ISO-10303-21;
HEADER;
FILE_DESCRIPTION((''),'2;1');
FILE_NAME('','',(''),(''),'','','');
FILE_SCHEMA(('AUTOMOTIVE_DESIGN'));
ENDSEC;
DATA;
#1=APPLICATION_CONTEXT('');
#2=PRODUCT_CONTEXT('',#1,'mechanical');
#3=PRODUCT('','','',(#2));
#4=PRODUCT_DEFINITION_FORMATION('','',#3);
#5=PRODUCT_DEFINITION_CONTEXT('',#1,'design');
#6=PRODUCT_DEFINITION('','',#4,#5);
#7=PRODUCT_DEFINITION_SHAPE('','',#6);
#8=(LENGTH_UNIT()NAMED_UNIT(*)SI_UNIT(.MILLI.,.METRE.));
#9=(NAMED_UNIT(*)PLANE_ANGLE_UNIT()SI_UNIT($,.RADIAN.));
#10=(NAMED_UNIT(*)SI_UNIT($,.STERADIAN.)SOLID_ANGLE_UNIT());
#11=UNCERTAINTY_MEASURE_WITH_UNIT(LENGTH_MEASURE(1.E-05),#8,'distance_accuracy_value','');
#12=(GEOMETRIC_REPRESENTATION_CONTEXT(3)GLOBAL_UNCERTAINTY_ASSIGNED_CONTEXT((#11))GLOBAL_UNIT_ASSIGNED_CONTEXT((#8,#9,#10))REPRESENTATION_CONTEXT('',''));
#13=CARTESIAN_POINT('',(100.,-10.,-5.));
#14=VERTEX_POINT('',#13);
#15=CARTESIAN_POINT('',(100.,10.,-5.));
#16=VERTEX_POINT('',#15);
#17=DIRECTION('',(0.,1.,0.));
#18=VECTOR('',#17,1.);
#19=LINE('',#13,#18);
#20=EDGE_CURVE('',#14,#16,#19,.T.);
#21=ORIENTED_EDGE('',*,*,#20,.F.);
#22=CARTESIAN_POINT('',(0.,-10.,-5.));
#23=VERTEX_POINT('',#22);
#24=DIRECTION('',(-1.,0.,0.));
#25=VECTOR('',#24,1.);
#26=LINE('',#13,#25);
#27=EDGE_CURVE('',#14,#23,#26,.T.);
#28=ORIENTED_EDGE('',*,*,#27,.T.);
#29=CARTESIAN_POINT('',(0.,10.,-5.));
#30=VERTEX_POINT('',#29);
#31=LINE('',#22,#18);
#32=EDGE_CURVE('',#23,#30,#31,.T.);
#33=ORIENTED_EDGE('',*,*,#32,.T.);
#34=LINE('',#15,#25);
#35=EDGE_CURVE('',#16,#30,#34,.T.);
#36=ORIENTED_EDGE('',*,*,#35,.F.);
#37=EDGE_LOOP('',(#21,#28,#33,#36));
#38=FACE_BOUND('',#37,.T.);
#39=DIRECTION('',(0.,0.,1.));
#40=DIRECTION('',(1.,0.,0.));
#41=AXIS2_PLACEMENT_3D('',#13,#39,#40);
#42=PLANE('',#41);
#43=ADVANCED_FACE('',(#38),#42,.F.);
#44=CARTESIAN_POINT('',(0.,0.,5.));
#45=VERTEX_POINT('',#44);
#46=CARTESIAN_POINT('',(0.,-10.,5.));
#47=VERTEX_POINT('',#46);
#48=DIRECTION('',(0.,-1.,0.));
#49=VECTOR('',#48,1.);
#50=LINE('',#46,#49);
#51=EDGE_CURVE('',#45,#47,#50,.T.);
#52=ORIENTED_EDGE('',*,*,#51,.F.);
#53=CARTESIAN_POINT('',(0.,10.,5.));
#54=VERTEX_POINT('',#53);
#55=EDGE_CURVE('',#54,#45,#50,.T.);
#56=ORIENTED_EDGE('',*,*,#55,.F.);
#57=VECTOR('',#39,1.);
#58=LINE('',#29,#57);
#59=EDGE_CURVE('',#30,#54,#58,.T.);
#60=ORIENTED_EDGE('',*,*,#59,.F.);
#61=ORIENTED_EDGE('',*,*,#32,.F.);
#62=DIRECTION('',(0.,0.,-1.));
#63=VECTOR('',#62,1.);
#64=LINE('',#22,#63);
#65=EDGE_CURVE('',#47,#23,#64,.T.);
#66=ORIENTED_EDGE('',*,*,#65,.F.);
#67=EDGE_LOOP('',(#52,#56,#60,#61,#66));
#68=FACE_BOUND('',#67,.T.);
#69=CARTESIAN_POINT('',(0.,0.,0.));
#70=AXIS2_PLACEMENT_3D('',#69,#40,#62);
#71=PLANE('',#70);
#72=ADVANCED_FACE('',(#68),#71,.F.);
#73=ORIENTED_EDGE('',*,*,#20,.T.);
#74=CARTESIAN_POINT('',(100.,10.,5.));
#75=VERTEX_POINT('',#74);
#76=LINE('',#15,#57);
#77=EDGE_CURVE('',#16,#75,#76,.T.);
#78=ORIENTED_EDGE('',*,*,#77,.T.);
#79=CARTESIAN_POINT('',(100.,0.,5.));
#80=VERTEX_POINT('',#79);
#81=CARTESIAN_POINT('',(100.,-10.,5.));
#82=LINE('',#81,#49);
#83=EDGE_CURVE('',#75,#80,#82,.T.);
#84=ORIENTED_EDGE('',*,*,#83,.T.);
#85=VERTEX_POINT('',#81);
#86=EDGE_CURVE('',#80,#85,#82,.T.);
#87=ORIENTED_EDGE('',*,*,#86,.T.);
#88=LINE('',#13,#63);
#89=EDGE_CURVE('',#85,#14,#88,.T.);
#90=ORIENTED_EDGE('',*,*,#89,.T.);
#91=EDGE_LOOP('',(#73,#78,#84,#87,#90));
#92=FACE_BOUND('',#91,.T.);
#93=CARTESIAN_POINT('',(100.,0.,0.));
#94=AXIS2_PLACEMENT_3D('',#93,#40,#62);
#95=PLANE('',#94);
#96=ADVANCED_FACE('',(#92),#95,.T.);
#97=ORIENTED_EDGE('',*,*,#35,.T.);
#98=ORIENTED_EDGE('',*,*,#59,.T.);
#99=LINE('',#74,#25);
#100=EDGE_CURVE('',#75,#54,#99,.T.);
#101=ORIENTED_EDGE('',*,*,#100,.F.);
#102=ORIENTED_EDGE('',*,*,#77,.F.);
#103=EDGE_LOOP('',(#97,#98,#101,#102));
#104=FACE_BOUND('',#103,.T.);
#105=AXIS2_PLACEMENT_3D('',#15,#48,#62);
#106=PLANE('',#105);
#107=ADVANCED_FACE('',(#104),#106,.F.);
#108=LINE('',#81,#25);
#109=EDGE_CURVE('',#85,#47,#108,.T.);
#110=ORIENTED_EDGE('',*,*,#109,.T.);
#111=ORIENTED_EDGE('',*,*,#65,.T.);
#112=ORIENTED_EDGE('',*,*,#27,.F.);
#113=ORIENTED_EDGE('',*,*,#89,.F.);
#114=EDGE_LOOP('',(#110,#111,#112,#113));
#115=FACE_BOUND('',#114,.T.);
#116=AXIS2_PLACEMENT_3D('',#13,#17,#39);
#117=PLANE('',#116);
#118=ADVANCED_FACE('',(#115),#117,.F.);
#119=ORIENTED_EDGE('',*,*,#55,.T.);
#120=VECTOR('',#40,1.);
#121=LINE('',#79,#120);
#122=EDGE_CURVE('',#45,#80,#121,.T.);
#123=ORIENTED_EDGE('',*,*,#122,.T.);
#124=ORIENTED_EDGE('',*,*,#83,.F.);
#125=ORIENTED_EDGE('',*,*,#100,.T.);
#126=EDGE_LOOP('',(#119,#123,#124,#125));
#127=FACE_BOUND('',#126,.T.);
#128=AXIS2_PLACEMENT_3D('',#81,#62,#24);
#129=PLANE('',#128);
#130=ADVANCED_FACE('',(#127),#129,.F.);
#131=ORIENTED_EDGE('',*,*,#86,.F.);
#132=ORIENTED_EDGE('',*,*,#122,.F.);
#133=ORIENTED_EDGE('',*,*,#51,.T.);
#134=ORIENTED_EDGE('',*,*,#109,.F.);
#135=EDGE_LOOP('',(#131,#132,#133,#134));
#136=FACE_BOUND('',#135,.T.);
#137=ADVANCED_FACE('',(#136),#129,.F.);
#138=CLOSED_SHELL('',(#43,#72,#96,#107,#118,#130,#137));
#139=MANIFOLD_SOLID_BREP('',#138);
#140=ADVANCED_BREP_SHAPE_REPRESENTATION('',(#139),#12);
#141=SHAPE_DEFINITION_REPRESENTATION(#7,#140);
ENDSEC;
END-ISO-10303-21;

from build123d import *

# Parameters (mm, degrees)
SKETCH_1_W      = 10
SKETCH_1_H      = 20
EXTRUDE_1_DEPTH = 100


with BuildPart() as part:
    # Эскиз1 → Бобышка-Вытянуть1 (new body)
    with BuildSketch(Plane(origin=(0, 0, 0), x_dir=(0, 0, -1), z_dir=(1, 0, 0))):
        Rectangle(SKETCH_1_W, SKETCH_1_H)
    extrude(amount=EXTRUDE_1_DEPTH)


solid = part.part
